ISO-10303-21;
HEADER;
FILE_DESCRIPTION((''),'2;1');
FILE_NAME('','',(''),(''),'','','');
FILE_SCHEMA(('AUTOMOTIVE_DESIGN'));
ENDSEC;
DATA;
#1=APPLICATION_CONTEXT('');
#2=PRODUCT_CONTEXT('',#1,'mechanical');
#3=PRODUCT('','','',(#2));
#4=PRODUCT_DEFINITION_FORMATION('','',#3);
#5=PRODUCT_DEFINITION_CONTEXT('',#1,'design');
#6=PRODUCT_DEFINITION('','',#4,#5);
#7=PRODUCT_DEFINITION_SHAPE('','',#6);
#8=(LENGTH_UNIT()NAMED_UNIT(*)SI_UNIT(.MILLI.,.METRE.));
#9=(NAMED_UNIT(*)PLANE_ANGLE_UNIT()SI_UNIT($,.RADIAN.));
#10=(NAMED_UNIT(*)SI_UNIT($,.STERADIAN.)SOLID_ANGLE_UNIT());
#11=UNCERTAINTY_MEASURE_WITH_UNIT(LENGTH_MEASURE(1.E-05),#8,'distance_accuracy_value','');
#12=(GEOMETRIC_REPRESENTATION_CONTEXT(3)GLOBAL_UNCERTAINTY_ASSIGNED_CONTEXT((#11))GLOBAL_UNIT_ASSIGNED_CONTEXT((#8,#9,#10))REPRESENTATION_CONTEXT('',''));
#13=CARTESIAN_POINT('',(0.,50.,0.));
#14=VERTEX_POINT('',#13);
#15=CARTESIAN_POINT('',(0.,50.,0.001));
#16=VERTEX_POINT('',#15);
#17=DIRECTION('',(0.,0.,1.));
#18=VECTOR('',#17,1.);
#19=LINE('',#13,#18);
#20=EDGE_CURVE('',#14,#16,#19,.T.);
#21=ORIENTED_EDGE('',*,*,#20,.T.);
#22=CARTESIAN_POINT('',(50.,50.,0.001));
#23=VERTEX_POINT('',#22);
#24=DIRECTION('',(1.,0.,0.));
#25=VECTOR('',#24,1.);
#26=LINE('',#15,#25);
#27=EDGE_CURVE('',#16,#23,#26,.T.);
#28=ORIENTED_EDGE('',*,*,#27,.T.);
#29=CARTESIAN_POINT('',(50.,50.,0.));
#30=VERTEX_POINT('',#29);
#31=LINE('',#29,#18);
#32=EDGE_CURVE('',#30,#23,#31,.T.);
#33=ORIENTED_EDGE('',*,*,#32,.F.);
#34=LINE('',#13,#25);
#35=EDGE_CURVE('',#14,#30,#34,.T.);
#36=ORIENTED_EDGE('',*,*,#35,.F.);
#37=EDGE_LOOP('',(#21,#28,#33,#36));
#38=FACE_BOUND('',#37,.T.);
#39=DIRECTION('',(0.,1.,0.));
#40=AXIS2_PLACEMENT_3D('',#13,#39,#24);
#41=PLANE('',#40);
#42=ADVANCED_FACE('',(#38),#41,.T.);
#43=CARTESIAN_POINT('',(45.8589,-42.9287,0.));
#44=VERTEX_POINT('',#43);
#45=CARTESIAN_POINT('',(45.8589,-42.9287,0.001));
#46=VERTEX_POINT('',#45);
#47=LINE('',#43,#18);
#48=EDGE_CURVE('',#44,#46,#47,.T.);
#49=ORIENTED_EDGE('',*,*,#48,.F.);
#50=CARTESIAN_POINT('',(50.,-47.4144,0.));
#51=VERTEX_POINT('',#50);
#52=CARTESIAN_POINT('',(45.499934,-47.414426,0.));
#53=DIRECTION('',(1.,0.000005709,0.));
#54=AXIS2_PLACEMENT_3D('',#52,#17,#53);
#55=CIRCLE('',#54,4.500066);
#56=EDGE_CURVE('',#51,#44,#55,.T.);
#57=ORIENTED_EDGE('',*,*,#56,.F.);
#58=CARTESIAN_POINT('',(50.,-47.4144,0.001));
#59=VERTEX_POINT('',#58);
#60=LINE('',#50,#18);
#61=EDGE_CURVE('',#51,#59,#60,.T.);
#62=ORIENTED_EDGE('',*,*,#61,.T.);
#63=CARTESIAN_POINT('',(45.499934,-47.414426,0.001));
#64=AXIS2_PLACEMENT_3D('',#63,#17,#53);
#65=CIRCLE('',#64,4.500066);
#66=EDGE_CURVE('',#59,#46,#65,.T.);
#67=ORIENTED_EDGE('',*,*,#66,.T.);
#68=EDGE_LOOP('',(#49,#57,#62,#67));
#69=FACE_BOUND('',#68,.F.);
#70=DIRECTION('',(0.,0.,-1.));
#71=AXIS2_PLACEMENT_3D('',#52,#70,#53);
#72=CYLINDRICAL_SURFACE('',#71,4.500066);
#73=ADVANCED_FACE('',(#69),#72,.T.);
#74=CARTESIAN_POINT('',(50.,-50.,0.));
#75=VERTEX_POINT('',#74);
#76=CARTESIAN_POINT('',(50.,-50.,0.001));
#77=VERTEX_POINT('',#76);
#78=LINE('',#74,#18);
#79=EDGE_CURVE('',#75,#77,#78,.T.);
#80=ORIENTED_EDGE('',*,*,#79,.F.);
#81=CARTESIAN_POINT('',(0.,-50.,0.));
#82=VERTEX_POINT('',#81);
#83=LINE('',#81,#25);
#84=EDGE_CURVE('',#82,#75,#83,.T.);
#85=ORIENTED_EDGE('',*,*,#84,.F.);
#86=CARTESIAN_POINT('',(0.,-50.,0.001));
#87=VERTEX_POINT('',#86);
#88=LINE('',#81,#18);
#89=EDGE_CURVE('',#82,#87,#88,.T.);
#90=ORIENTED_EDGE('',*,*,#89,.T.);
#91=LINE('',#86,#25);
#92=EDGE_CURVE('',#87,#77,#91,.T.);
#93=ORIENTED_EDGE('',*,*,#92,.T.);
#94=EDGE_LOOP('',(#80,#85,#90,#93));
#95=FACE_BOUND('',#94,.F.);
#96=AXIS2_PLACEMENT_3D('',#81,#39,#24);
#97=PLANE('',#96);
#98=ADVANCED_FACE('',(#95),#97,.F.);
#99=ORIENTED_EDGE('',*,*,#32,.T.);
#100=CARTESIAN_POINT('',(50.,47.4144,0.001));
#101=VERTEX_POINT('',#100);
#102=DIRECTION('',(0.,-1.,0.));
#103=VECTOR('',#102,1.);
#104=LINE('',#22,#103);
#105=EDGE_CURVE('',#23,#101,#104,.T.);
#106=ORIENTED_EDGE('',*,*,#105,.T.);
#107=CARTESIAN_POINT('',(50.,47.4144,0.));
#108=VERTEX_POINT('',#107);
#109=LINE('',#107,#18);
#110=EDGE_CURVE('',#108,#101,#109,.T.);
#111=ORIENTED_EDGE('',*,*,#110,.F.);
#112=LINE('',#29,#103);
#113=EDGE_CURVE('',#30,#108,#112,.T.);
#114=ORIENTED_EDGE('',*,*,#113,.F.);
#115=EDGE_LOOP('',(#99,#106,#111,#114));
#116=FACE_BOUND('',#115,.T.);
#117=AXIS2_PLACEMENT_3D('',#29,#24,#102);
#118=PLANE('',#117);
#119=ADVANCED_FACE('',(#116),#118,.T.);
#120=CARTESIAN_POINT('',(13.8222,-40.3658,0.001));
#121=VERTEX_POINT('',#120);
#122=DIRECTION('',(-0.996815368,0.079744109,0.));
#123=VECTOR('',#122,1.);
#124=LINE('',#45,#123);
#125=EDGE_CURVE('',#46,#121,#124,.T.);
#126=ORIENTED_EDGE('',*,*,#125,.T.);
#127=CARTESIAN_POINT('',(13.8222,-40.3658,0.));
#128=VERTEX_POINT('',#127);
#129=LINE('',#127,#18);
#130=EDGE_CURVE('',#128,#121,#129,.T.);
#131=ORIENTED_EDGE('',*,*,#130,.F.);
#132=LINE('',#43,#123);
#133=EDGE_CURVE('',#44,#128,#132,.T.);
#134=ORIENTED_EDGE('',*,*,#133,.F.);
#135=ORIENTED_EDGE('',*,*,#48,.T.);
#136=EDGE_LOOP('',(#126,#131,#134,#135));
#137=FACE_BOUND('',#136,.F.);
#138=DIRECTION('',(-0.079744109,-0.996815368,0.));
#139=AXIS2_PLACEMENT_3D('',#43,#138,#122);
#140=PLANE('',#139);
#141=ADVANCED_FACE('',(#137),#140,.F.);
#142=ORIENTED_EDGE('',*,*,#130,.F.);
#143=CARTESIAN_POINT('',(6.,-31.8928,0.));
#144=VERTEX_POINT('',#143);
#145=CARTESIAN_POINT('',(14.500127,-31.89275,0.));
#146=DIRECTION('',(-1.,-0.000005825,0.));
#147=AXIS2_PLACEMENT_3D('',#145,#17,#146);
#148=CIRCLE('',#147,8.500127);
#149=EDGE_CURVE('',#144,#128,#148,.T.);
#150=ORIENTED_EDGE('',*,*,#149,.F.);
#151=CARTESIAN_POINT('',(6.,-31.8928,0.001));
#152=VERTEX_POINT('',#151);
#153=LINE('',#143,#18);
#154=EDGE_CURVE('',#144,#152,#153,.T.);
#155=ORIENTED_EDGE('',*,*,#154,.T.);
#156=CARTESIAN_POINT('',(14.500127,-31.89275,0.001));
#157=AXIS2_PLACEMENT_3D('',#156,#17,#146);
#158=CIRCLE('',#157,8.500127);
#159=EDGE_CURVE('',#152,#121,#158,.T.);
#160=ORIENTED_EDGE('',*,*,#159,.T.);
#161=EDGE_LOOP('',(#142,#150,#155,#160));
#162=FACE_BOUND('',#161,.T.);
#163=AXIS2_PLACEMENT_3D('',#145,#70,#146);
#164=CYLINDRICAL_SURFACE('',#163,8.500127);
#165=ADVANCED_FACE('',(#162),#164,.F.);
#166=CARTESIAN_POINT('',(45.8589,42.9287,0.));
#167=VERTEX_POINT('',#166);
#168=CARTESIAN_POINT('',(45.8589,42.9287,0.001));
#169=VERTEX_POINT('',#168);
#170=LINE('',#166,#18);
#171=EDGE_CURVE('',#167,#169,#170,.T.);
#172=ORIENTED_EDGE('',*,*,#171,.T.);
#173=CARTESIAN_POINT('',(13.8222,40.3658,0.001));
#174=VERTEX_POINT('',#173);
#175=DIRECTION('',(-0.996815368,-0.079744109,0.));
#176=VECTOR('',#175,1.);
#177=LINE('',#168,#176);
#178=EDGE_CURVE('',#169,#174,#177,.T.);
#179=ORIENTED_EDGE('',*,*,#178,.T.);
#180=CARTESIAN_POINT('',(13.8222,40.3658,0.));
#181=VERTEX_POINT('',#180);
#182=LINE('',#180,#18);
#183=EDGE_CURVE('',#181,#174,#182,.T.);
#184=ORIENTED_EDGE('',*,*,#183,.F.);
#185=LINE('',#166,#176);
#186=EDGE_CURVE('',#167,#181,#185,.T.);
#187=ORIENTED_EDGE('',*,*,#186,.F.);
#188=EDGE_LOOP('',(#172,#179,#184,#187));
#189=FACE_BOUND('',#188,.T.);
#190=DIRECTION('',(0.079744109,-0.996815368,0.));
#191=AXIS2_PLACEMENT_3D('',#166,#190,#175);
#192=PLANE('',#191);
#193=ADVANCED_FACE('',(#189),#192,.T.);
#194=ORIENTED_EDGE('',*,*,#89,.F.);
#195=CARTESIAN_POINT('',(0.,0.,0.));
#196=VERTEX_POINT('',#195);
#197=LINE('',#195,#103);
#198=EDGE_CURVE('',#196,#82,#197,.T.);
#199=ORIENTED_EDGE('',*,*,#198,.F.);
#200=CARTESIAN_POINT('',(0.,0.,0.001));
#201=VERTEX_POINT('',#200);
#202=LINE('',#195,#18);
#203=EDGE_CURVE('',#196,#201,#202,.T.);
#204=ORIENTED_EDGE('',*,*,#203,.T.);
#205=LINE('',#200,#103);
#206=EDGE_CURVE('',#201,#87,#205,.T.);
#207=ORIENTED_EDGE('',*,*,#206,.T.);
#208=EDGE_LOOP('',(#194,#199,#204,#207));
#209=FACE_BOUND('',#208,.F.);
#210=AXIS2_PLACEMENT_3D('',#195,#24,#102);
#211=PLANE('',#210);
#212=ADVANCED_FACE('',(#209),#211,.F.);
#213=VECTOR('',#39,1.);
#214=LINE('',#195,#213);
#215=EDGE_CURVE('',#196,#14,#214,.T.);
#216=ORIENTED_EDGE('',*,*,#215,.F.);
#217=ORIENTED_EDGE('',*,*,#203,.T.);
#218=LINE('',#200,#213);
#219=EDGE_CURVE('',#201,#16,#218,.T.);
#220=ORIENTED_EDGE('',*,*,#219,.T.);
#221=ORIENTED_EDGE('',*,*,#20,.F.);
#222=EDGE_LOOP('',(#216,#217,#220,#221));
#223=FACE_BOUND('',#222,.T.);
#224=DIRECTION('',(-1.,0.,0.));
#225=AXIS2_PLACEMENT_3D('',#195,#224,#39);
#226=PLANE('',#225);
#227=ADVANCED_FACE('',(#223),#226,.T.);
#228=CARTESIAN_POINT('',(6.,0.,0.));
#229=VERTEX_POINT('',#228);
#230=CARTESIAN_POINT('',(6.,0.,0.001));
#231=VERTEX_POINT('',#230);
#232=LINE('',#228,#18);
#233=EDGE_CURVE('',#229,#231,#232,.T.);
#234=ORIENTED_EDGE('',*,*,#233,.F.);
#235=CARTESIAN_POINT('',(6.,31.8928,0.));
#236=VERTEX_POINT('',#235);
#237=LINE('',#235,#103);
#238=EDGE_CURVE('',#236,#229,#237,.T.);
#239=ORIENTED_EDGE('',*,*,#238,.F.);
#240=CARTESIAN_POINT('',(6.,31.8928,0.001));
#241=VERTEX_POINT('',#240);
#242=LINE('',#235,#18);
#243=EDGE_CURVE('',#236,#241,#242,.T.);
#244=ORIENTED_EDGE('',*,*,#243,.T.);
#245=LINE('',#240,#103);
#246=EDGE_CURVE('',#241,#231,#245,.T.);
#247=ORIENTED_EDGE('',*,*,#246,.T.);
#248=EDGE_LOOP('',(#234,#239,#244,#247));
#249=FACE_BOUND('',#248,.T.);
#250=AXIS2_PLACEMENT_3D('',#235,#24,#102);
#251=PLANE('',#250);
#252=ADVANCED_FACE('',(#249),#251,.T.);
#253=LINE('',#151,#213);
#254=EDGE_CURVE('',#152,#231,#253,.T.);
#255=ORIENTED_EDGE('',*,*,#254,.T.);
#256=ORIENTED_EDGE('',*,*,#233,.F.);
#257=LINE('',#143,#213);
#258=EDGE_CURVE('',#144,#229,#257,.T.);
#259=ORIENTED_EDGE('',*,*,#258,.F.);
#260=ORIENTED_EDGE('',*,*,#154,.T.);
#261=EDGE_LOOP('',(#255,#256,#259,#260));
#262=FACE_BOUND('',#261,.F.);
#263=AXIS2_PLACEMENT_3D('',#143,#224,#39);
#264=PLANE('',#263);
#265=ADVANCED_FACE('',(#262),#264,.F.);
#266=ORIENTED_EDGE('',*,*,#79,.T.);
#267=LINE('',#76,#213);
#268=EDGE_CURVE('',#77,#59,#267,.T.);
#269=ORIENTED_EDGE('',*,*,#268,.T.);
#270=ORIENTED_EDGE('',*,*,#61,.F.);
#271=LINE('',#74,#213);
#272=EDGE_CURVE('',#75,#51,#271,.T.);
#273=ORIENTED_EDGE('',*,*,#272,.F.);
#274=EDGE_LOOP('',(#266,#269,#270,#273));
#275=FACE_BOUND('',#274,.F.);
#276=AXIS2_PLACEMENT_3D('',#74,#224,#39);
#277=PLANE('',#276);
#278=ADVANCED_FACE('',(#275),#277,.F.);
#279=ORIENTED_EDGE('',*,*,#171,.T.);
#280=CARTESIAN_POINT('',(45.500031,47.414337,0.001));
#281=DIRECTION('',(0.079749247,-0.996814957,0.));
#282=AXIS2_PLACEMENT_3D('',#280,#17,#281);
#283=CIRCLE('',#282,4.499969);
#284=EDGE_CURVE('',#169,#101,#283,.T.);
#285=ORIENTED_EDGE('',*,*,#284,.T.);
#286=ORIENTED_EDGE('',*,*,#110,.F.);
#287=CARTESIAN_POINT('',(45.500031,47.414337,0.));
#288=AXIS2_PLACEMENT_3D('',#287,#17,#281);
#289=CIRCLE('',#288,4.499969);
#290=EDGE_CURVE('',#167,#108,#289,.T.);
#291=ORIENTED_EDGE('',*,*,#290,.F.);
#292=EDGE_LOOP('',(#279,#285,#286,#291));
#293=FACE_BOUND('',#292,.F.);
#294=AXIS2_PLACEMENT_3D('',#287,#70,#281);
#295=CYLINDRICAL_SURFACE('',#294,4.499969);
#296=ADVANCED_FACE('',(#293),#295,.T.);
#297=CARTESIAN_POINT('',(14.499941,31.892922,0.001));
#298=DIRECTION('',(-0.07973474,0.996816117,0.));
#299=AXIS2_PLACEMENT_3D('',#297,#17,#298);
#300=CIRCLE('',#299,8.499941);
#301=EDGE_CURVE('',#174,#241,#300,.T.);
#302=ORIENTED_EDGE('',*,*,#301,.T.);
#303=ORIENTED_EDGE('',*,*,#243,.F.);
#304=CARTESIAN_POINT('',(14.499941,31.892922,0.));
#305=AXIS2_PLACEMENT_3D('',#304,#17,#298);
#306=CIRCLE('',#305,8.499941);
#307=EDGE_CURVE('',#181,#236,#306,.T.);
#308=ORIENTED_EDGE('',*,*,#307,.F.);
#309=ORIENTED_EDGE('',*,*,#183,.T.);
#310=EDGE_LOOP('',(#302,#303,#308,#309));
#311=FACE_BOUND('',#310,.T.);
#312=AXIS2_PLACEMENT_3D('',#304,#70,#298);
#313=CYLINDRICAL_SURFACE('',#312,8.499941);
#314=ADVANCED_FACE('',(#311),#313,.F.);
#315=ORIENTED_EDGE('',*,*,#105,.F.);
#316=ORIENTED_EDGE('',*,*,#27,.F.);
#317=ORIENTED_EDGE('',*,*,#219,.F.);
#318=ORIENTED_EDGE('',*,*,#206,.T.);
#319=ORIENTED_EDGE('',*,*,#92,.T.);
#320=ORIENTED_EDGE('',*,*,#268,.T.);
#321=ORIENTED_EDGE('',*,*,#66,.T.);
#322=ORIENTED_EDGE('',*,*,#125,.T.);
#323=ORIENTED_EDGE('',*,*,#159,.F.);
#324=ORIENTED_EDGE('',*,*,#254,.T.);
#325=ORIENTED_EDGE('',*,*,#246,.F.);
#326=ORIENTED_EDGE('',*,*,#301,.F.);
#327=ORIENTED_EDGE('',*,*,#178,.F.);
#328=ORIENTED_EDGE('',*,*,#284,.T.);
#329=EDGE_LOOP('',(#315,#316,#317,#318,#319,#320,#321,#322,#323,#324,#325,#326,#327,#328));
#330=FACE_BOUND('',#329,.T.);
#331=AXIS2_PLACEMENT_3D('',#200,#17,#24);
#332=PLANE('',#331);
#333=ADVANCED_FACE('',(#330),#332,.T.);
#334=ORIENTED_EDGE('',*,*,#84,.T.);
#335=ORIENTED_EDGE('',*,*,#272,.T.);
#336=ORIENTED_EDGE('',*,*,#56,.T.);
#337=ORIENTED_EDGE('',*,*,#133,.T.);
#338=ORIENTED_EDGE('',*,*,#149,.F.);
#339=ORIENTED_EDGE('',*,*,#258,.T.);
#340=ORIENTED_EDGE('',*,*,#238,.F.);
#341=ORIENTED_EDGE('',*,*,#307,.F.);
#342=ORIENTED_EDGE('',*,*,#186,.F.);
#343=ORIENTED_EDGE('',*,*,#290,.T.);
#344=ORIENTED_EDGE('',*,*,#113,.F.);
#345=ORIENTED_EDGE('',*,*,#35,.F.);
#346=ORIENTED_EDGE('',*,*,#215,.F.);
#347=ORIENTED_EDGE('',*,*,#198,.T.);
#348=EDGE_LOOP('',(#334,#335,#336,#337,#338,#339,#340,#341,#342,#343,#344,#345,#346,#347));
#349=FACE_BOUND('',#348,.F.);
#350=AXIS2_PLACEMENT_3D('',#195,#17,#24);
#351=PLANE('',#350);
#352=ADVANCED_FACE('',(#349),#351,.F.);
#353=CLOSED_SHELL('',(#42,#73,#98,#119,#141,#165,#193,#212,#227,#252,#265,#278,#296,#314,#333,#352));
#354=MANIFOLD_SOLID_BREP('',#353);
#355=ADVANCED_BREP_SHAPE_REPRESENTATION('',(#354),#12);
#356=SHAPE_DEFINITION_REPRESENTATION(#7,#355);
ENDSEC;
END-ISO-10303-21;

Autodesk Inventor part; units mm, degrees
ref_plane "YZ Plane" through (0, 0, 0) normal (1, 0, 0) x (0, 1, 0)
ref_plane "Start plane" through (0, 0, 0) normal (0, 0, 1) x (1, 0, 0)
ref_plane "End plane" through (0, 0, 0.001) normal (0, 0, 1) x (1, 0, 0)
sketch "Sketch" plane through (0, 0, 0) normal (0, 0, 1) x (1, 0, 0)
  line L0 (0, 0) -> (0, 50)
  line L1 (0, 50) -> (50, 50)
  line L2 (50, 50) -> (50, 47.4144)
  line L3 (45.8589, 42.9287) -> (13.8222, 40.3658)
  line L4 (6, 31.8928) -> (6, 0)
  line L5 (6, 0) -> (0, 0) construction
  line L6 (28, 50) -> (28, 41.5) construction
  line L7 (50, 43.26) -> (50, 41.5) construction
  line L8 (50, 41.5) -> (28, 41.5) construction
  line L9 (0, 15) -> (0, -27) construction
  line L10 (-5.539, 0) -> (16.0067, 0) construction
  line L11 (0, 0) -> (0, -50)
  line L12 (0, -50) -> (50, -50)
  line L13 (50, -50) -> (50, -47.4144)
  line L14 (45.8589, -42.9287) -> (13.8222, -40.3658)
  line L15 (6, -31.8928) -> (6, 0)
  arc A0 (13.8222, 40.3658) -> (6, 31.8928) centre (14.5, 31.8928) ccw
  arc A1 (6, -31.8928) -> (13.8222, -40.3658) centre (14.5, -31.8928) ccw
  arc A2 (45.8589, 42.9287) -> (50, 47.4144) centre (45.5, 47.4144) ccw
  arc A3 (50, -47.4144) -> (45.8589, -42.9287) centre (45.5, -47.4144) ccw
  line L16 (0, 23.4) -> (0, -35.4) construction
  line L17 (-9.8481, 0) -> (20.3158, 0) construction
  point P0 (6, 39.74)
  point P1 (50, -43.26)
  point P2 (6, -39.74)
  point P3 (28, -50)
  point P4 (28, -41.5)
  dimension "d0" = 6
  dimension "d1" = 50
  dimension "d2" = 50
  dimension "d3" = 8.5
  dimension "d4" = 22
  dimension "d5" = 1.76
  dimension "d23" = 8.5
  dimension "d24" = 4.5
  dimension "d25" = 0
extrude "Body" add sketch "Sketch" along normal up to surface (0.001 mm away) from surface at 0
sketch "Sketch3" plane through (0, 0, 0) normal (0, 0, 1) x (1, 0, 0)
  line L0 (0, 0) -> (10, 0)
ref_plane "Work Plane3" through (0, 0, 0) normal (0, -1, 0) x (1, 0, 0)
sketch "Sketch4" plane through (0, 0, 0) normal (0, -1, 0) x (1, 0, 0)
  line L0 (-2, 0) -> (12, 0)
  line L1 (-2, 0.001) -> (12, 0.001)
  dimension "d29" = 0.001
equation "\"d0\" = G_T"
equation "\"d1\" = 0.5 * G_H"
equation "\"d2\" = G_W"
equation "\"d3\" = G_T1"
equation "\"d4\" = G_C"
equation "\"d23\" = G_IR"
equation "\"d24\" = G_ER"
equation "\"d6\" = G_L"
equation "\"G_W\" = 50"
equation "\"G_T\" = 6"
equation "\"G_T1\" = 8.5"
equation "\"G_NG\" = 0.08"
equation "\"G_ER\" = 4.5"
equation "\"G_IR\" = 8.5"
equation "\"G_C\" = 22"
equation "\"G_L\" = d29"
equation "\"ex\" = 0"
equation "\"G_OFFSET_START\" = 0"
equation "\"G_OFFSET_END\" = 0"
equation "\"d27\" = G_OFFSET_END + B_L"
equation "\"B_L\" = 0.001"
equation "\"G_H\" = 100"
properties part number "PN-86/H-93403 - C 100x50 - 0,001" material "Steel, Mild"
